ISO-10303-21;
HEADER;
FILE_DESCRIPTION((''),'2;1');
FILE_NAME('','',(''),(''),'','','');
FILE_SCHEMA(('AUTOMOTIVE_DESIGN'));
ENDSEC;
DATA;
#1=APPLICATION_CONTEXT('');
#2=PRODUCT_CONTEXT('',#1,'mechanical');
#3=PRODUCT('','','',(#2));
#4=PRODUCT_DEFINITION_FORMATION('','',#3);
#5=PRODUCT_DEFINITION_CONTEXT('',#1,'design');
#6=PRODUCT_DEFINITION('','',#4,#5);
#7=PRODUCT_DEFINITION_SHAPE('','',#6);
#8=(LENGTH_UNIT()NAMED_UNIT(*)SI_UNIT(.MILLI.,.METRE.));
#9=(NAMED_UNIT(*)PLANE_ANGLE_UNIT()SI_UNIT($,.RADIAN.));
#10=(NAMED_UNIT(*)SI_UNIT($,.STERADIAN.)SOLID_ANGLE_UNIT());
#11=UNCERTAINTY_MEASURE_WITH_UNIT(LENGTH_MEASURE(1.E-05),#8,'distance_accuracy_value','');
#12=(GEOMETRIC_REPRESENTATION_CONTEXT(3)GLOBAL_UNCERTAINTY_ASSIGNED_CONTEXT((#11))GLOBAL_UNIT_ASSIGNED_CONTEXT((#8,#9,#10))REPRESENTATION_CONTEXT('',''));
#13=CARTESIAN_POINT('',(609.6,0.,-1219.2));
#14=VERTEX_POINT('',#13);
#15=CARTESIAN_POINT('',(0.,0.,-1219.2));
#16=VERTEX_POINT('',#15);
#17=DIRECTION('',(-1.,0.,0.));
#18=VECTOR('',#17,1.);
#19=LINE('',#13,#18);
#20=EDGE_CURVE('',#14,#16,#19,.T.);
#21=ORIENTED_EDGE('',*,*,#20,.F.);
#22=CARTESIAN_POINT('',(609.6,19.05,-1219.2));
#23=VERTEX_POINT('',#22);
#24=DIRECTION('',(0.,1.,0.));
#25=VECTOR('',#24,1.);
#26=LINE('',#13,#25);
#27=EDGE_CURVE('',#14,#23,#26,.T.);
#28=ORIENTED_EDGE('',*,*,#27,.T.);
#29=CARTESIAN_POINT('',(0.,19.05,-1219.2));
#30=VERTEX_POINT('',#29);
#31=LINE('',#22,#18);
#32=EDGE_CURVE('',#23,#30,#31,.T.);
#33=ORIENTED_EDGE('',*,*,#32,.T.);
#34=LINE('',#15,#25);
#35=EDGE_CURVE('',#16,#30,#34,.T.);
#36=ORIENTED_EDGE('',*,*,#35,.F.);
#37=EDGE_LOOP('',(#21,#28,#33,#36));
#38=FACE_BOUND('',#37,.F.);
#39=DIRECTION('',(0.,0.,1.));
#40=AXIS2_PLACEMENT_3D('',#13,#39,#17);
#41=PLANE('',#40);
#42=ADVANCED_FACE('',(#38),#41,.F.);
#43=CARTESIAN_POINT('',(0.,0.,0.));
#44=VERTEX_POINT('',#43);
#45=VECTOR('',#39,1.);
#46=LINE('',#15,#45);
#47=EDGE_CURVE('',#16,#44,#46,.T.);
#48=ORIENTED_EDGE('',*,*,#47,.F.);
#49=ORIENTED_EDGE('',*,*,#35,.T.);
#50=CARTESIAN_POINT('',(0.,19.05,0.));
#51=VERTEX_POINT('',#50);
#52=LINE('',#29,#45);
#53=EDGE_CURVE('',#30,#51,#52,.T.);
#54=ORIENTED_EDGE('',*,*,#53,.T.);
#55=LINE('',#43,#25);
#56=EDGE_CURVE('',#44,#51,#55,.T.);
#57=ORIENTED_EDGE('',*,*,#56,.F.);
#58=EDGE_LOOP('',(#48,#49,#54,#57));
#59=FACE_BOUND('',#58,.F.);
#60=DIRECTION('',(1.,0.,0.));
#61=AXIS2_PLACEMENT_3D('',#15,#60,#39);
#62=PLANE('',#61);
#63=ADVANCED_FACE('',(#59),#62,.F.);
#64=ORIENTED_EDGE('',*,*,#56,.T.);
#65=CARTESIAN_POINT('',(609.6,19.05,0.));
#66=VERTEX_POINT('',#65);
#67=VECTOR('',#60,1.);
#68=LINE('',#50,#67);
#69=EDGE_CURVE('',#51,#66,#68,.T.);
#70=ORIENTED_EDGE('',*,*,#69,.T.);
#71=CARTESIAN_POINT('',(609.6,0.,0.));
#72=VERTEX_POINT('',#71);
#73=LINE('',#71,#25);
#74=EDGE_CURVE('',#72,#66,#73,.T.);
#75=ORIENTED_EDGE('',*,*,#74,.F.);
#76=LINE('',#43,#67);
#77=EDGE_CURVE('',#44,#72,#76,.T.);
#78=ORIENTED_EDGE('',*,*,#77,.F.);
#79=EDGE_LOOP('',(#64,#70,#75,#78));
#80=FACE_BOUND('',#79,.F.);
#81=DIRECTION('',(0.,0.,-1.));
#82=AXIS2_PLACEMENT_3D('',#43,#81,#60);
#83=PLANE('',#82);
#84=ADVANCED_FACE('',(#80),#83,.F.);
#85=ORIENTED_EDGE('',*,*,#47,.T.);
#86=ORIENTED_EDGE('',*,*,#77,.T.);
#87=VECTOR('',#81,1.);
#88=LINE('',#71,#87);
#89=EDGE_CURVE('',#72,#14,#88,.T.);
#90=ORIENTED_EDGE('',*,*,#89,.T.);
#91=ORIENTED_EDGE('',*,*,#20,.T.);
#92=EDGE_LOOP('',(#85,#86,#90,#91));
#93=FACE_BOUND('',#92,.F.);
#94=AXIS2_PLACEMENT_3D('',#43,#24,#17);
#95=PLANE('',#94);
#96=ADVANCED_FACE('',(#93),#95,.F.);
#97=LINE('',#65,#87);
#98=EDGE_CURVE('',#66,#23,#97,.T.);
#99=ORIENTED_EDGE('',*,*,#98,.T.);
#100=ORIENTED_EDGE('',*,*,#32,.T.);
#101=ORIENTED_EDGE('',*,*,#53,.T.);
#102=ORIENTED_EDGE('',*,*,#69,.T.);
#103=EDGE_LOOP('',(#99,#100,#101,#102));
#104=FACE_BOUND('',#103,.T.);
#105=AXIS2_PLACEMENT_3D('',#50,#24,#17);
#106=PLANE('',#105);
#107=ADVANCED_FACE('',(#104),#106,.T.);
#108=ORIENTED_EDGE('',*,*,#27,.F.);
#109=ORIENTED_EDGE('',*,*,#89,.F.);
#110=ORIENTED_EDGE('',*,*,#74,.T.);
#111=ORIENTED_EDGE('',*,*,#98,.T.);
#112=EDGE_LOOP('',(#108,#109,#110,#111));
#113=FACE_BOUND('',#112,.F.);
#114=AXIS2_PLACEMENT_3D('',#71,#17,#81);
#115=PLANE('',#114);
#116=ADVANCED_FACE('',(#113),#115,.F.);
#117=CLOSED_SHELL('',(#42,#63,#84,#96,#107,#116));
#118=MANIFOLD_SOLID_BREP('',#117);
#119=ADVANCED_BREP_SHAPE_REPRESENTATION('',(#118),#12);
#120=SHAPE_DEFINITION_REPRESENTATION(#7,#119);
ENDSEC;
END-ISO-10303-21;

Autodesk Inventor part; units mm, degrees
ref_plane "YZ Plane" through (0, 0, 0) normal (1, 0, 0) x (0, 1, 0)
ref_plane "XZ Plane" through (0, 0, 0) normal (0, 1, 0) x (-1, 0, 0)
ref_plane "XY Plane" through (0, 0, 0) normal (0, 0, 1) x (1, 0, 0)
sketch "Sketch1" plane through (0, 0, 0) normal (0, 1, 0) x (-1, 0, 0)
  line L0 (0, 0) -> (-609.6, 0)
  line L1 (-609.6, 0) -> (-609.6, -1219.2)
  line L2 (-609.6, -1219.2) -> (0, -1219.2)
  line L3 (0, -1219.2) -> (0, 0)
  dimension "d0" = 609.6
  dimension "d1" = 1219.2
extrude "Extrusion1" add sketch "Sketch1" along normal blind 19.05
properties part number "LTabletop" material "Wood"
